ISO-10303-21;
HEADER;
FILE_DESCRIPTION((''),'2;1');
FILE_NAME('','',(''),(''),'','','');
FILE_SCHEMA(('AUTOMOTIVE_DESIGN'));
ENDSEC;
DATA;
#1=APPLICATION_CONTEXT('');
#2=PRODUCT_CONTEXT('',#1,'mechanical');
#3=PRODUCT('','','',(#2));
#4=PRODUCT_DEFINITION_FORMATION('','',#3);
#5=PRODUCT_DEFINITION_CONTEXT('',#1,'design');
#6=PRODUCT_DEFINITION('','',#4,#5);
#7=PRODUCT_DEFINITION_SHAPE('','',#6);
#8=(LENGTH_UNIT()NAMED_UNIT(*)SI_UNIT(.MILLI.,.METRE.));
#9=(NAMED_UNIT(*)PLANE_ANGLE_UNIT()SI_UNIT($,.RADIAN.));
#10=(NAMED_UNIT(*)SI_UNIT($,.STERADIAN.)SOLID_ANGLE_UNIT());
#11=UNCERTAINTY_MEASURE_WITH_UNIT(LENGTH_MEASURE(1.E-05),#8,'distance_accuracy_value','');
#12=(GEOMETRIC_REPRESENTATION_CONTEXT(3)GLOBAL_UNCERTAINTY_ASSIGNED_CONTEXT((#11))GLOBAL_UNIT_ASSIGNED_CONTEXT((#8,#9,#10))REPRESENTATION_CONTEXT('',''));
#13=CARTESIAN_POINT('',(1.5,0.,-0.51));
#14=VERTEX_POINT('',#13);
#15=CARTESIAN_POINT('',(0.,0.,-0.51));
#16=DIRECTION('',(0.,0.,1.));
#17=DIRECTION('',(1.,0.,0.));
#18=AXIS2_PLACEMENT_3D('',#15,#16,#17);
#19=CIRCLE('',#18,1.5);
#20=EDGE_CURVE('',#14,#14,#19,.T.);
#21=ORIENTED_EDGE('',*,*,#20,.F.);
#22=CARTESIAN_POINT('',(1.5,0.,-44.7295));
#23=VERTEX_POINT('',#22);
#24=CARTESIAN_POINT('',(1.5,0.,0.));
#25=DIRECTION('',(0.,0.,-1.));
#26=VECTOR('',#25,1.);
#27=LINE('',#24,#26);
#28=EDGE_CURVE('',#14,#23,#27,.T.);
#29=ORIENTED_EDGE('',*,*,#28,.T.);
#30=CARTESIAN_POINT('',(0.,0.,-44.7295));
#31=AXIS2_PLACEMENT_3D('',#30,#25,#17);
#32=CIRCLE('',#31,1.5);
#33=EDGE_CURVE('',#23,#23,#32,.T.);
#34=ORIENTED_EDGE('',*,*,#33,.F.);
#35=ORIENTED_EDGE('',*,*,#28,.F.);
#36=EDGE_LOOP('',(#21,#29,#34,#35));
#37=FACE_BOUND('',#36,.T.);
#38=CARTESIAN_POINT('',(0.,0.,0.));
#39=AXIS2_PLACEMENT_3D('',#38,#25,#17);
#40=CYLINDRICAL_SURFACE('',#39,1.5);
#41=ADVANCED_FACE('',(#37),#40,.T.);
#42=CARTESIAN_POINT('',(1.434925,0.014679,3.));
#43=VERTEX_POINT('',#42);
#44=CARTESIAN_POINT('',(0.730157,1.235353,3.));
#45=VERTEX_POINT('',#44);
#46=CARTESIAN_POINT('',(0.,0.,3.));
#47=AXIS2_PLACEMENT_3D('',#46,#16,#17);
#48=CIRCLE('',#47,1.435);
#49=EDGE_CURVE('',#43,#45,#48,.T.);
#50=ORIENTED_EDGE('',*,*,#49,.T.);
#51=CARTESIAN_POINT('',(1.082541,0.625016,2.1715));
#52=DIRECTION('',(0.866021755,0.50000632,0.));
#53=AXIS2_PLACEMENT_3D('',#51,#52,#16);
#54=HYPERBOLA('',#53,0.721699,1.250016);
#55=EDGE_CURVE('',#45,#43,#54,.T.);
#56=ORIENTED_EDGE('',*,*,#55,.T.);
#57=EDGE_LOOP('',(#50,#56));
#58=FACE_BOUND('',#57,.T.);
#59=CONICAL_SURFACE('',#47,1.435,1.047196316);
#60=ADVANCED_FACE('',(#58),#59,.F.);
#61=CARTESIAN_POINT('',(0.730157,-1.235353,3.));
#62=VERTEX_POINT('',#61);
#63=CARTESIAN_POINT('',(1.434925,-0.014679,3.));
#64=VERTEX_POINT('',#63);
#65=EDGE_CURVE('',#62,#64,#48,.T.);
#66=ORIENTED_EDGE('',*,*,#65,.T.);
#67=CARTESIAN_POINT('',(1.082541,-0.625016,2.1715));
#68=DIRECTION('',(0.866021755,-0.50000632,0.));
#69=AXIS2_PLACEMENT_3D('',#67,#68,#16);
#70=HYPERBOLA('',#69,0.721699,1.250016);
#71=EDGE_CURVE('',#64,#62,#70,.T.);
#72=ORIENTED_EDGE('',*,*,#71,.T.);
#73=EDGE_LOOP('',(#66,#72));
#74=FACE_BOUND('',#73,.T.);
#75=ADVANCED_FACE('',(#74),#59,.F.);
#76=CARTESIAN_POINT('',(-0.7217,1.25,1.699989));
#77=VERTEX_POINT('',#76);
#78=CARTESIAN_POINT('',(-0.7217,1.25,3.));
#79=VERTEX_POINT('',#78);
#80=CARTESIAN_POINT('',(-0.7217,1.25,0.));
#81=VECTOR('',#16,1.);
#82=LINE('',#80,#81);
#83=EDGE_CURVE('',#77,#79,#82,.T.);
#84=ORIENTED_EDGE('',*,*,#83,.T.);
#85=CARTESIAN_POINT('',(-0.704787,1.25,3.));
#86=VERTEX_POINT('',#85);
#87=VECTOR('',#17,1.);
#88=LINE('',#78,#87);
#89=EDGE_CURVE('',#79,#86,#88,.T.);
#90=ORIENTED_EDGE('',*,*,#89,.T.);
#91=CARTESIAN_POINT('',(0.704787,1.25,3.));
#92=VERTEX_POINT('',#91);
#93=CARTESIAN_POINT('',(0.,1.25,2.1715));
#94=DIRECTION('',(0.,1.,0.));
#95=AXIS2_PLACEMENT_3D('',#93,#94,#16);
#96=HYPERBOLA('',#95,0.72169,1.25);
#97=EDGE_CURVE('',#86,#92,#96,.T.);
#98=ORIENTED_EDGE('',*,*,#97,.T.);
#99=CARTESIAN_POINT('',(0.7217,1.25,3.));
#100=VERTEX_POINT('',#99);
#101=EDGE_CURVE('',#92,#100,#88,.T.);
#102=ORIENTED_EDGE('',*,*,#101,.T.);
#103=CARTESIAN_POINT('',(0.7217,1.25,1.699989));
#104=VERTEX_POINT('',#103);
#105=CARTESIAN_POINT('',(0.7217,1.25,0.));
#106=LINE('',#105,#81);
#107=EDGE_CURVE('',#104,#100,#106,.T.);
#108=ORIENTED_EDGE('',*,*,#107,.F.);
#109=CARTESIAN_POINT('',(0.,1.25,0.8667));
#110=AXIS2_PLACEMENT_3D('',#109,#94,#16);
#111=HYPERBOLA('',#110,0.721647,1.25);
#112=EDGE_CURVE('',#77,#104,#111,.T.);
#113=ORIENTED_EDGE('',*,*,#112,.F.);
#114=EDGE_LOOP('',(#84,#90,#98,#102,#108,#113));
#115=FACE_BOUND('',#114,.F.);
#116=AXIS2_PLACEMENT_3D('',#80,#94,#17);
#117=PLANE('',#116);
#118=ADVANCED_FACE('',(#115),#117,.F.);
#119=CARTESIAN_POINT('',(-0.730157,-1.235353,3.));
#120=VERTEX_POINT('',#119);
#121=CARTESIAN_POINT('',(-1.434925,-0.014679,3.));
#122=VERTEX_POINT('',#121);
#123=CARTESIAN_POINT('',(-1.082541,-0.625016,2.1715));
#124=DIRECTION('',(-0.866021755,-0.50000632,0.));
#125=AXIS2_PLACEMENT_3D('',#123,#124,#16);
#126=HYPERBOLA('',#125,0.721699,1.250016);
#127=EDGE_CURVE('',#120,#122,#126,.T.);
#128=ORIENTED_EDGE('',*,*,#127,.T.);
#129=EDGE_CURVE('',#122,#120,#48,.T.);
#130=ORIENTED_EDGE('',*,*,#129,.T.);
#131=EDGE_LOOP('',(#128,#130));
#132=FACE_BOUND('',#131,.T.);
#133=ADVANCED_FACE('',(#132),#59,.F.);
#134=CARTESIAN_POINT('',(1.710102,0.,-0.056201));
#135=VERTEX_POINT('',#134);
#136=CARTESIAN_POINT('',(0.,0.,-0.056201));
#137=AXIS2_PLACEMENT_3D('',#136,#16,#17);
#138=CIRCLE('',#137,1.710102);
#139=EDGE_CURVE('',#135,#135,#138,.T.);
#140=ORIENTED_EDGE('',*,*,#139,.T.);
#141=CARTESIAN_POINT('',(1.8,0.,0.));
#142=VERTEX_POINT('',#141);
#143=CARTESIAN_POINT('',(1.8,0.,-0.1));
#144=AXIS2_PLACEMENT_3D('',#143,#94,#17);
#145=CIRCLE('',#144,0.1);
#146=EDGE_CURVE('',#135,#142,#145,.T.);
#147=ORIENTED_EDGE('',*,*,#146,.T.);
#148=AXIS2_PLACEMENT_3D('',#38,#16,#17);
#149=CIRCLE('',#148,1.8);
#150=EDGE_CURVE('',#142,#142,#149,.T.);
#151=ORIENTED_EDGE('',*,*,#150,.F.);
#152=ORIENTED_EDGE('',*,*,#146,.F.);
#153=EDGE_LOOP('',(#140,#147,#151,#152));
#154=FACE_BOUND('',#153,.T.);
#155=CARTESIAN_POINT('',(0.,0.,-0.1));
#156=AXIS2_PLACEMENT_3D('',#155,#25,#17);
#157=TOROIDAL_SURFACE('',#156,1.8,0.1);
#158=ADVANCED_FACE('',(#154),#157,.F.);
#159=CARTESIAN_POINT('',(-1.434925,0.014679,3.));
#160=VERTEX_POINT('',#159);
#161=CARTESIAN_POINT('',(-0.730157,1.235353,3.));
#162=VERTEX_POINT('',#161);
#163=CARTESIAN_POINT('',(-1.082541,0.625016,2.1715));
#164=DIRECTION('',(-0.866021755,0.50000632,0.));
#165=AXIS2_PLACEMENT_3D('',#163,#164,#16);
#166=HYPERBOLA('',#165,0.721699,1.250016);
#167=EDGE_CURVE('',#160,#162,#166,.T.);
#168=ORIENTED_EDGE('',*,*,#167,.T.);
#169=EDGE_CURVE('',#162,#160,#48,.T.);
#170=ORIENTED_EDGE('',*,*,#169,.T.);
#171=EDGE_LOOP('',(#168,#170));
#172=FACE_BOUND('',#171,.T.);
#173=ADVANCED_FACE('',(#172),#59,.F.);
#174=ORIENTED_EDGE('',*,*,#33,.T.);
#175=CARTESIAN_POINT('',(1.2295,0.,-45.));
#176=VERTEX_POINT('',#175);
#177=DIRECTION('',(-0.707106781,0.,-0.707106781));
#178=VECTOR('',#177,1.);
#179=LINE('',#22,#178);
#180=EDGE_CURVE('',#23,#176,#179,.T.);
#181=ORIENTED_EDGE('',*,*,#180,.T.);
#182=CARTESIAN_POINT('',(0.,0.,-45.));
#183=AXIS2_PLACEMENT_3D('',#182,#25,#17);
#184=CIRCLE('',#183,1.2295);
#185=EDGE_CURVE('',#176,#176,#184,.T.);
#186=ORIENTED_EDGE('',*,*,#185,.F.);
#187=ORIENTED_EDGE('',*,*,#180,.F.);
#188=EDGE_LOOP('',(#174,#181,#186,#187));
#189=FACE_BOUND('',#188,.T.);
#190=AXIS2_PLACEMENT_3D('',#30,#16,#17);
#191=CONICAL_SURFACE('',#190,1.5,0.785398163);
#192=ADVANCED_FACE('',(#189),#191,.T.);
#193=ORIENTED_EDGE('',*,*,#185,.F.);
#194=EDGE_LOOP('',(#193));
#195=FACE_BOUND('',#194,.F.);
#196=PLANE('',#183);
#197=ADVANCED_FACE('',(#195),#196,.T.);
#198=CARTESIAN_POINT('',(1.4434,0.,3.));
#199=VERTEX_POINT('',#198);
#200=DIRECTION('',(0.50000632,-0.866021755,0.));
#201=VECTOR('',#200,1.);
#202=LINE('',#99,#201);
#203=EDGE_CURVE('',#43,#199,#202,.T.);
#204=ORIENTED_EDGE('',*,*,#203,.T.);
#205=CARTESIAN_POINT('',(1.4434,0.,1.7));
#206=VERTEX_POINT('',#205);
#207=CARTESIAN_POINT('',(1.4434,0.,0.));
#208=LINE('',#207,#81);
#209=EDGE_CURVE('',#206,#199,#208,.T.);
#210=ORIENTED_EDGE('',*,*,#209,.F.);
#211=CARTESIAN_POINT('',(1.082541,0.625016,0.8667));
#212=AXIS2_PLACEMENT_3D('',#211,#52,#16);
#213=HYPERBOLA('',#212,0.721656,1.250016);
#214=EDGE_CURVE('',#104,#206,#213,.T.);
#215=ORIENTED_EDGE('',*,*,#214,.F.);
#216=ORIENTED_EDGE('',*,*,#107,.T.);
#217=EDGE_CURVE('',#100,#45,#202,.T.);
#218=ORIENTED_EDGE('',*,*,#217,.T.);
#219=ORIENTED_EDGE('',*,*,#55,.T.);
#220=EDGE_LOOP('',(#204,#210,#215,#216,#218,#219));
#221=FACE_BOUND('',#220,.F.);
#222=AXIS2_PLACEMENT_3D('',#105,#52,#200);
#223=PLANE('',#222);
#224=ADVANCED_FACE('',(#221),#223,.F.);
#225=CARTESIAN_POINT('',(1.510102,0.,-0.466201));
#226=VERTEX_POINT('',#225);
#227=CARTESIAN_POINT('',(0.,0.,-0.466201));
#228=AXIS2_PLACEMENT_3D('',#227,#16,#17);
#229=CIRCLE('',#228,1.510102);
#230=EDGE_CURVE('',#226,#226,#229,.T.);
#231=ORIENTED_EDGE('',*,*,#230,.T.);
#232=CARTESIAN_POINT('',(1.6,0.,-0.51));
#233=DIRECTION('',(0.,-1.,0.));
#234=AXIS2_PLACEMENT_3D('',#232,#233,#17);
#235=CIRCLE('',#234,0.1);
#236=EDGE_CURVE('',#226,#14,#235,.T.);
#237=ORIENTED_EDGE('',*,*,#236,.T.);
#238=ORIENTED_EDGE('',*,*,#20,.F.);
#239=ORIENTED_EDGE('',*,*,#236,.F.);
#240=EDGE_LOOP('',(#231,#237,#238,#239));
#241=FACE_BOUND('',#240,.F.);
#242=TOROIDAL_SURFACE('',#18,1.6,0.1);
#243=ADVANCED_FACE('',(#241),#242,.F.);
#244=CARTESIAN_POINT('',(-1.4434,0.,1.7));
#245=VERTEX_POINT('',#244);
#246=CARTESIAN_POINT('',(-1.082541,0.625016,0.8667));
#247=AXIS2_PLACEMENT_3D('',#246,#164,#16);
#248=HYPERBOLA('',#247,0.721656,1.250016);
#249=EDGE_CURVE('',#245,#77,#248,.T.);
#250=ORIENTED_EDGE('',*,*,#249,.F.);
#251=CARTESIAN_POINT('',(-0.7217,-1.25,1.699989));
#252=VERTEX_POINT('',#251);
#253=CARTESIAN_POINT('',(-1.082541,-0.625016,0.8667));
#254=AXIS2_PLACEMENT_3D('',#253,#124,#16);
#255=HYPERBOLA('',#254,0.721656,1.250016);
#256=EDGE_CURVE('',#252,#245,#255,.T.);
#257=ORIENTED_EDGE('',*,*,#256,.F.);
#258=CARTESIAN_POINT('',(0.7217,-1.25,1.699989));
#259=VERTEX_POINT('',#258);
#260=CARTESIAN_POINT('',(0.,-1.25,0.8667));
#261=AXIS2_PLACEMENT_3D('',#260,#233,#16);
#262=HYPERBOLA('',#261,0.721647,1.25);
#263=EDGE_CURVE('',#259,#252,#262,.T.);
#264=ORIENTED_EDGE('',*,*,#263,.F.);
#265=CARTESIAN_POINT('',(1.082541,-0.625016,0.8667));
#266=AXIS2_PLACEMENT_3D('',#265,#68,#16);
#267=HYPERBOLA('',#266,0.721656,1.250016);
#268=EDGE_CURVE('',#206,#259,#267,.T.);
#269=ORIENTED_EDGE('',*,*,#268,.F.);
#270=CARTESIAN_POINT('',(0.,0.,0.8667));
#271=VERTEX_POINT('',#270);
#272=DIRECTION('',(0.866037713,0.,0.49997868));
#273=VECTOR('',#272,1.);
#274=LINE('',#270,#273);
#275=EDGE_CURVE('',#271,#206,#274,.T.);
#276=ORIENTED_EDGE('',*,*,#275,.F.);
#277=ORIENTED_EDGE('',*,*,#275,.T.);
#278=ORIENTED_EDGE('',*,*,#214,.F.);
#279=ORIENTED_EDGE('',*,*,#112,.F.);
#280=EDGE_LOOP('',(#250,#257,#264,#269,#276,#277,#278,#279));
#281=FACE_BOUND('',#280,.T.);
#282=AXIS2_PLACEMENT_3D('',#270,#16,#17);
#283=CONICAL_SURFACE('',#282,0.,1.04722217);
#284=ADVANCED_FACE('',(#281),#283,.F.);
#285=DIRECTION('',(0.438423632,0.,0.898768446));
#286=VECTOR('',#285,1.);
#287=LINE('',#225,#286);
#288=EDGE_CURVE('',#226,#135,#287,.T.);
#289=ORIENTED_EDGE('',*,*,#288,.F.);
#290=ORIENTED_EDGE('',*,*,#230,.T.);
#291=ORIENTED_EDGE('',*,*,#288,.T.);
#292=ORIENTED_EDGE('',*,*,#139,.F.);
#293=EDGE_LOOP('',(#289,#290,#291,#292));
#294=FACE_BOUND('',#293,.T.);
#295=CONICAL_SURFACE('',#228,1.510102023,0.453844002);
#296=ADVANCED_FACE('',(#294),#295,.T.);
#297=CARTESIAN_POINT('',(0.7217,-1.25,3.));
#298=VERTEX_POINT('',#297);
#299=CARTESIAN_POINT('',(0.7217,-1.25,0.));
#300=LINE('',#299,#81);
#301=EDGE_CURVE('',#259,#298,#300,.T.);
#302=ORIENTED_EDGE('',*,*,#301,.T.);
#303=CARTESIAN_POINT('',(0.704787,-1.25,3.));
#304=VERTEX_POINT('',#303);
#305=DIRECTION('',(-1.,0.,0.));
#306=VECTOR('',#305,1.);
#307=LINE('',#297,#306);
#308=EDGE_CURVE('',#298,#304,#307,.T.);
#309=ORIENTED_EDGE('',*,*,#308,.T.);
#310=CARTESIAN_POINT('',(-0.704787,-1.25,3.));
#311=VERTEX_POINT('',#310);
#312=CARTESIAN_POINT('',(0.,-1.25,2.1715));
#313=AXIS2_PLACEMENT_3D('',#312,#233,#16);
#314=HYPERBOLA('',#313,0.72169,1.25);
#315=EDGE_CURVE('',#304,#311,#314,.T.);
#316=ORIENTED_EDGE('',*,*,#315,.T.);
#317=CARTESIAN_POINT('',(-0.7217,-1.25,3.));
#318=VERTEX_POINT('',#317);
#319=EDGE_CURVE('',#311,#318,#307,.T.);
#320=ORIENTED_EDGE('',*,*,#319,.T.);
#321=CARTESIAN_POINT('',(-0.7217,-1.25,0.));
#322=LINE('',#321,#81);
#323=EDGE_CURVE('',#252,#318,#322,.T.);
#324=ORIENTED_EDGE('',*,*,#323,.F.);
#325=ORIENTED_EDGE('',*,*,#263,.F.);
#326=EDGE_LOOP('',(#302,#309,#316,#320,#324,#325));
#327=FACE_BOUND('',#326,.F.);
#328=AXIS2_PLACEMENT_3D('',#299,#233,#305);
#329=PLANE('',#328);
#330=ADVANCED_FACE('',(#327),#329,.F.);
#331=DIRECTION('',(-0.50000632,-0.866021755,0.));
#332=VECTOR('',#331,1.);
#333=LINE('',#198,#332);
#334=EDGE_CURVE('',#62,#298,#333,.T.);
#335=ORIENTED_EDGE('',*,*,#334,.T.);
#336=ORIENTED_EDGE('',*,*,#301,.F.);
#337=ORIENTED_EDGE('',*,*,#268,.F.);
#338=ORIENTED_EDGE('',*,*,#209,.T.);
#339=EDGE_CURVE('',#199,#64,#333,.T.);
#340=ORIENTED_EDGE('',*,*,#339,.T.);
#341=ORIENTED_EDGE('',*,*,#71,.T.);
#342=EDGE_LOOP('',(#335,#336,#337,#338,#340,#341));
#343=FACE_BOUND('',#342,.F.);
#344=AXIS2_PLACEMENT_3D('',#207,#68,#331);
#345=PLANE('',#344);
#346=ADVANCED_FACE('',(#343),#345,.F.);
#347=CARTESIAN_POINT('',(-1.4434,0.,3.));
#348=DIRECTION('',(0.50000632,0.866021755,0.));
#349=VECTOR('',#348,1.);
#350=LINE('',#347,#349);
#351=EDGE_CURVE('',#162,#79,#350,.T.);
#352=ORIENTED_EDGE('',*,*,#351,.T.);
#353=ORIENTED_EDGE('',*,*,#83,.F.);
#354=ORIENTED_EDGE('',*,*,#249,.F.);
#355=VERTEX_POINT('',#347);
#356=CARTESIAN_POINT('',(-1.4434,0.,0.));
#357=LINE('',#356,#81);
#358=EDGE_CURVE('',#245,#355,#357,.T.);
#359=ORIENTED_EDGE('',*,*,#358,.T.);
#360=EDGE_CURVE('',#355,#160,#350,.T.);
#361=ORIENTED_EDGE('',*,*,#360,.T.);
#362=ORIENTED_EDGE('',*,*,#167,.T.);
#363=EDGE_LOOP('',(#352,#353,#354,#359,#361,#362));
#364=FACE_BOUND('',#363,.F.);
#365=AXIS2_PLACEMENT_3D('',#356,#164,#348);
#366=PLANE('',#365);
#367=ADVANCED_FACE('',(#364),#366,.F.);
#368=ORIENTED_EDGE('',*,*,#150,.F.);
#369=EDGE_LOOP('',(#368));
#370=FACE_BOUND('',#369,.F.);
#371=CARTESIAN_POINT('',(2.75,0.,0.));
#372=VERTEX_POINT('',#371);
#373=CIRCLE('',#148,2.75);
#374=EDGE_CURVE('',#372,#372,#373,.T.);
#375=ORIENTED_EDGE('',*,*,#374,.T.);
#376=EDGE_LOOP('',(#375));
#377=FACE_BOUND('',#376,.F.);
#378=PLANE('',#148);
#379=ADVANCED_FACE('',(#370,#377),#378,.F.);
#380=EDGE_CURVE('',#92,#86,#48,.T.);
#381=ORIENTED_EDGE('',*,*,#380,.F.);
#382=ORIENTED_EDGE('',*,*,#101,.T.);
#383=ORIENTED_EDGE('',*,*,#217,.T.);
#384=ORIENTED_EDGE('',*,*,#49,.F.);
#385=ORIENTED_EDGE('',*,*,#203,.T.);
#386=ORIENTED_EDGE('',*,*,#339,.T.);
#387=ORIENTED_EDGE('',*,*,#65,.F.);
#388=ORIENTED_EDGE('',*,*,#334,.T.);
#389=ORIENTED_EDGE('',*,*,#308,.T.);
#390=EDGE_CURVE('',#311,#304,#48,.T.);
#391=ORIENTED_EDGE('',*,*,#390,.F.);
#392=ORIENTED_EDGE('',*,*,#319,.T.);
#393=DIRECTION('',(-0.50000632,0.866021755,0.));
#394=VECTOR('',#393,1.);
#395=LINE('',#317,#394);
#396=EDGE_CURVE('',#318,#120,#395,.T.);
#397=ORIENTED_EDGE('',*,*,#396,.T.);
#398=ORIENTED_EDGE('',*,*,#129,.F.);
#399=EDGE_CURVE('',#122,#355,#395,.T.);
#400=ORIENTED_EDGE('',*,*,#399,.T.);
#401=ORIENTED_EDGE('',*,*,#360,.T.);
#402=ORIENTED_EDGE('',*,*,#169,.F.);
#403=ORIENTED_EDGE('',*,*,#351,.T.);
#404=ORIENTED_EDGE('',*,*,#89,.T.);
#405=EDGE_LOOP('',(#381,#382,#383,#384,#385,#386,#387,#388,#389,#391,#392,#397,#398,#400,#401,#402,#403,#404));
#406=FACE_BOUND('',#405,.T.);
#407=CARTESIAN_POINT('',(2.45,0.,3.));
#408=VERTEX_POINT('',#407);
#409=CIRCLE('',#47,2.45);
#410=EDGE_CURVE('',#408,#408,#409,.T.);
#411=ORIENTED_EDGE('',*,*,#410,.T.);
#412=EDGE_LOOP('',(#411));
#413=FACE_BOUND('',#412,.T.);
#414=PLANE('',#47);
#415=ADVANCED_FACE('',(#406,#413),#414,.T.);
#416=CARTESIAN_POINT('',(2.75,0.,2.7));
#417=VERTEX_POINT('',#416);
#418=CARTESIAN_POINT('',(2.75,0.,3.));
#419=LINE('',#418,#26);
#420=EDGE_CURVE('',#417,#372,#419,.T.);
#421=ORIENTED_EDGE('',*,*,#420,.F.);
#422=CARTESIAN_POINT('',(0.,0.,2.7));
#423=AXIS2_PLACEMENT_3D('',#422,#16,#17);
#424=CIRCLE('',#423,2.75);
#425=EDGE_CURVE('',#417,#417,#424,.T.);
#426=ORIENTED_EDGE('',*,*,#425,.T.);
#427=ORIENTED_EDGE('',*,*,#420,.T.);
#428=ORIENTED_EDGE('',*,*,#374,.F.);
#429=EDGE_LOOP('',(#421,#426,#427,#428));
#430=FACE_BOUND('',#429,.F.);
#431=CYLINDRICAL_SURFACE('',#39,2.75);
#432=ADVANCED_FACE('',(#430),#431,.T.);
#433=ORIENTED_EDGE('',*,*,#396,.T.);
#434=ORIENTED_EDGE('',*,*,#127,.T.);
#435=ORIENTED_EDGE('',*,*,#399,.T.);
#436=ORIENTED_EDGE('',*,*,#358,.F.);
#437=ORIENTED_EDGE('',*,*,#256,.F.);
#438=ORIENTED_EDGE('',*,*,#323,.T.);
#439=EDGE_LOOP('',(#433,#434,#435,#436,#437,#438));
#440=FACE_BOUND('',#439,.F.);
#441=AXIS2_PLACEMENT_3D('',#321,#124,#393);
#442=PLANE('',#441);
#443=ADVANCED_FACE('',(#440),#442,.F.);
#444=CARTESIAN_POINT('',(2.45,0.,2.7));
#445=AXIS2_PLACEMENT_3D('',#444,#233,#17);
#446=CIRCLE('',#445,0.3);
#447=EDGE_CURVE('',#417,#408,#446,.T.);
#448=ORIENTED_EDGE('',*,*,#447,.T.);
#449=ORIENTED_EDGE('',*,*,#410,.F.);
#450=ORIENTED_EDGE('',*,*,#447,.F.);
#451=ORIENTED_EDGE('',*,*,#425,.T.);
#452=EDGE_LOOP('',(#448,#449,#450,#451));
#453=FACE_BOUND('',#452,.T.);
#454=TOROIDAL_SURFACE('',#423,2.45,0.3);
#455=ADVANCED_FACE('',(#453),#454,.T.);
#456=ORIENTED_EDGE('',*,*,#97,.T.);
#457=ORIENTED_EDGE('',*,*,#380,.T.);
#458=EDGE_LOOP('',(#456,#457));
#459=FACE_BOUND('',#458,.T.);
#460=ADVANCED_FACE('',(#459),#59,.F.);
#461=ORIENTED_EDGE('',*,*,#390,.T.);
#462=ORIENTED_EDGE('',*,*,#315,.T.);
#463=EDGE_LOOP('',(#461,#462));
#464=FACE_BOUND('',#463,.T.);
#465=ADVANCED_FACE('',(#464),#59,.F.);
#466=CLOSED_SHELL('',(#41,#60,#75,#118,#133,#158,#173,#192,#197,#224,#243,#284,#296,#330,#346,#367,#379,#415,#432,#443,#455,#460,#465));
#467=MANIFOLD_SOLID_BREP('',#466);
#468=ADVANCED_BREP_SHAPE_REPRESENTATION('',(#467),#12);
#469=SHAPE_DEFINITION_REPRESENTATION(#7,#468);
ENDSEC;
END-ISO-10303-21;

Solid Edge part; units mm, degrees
sketch "Sketch1" plane through (0, 0, 0) normal (0, 0, 1) x (1, 0, 0)
  line L0 (-0.7217, 1.25) -> (0.7217, 1.25)
  line L1 (0.7217, 1.25) -> (1.4434, 0)
  line L2 (1.4434, 0) -> (0.7217, -1.25)
  line L3 (0.7217, -1.25) -> (-0.7217, -1.25)
  line L4 (-0.7217, -1.25) -> (-1.4434, 0)
  line L5 (-1.4434, 0) -> (-0.7217, 1.25)
  circle A0 centre (0, 0) radius 2.75
  dimension "D1" = 5.5
  dimension "D2" = 2.5
extrude "Protrusion1" add sketch "Sketch1" along normal blind 3
sketch "Sketch2" plane through (0, 0, 0) normal (0, -1, 0) x (1, 0, 0)
  line L0 (0, 0.8667) -> (1.4434, 1.7)
  line L1 (1.4434, 1.7) -> (2.75, 1.7)
  line L2 (2.75, 1.7) -> (2.75, 0)
  line L3 (2.75, 0) -> (1.5, 0)
  line L4 (1.5, 0) -> (1.5, -26.999)
  line L5 (1.5, -26.999) -> (1.5, -27) construction
  line L6 (1.5, -27) -> (1.5, -27) construction
  line L7 (1.5, -27) -> (1.5, -45)
  line L8 (0, -45) -> (1.5, -45)
  dimension "D1" = 18
  dimension "D2" = 1.5
  dimension "D3" = 1.5
  dimension "D4" = 2.75
  dimension "D5" = 1.7
  dimension "D6" = 46.7
  dimension "D7" = 0.001
  dimension "D8" = 1.25
  dimension "D9" = 1.25
revolve "RevolvedProtrusion_1" add sketch "Sketch2" angle 360 about axis through (0, 0, 2.3333) along (0, 0, -1)
cosmetic_thread "Thread_1" size "M3" thread depth 17.999
sketch "Sketch3" plane through (0, 0, 0) normal (0, -1, 0) x (1, 0, 0)
  line L0 (0, 4) -> (1.435, 4)
  line L1 (1.435, 4) -> (1.435, 3)
  line L2 (1.435, 3) -> (0, 2.1715)
  dimension "D1" = 1.435
  dimension "D2" = 1
  dimension "D3" = 4
revolve "RevolvedCutout_1" cut sketch "Sketch3" angle 360 about axis through (0, 0, 7.1999) along (0, 0, 1)
fillet "Round_1" radius 0.3 1 edges at (-2.75, 0, 3)
sketch "Sketch4" plane through (0, 0, 0) normal (0, -1, 0) x (1, 0, 0)
  line L0 (1.5, 0) -> (1.8, 0)
  arc A0 (1.7101, -0.0562) -> (1.8, 0) centre (1.8, -0.1) cw
  line L1 (1.5101, -0.4662) -> (1.7101, -0.0562)
  arc A1 (1.5101, -0.4662) -> (1.5, -0.51) centre (1.6, -0.51) ccw
  line L2 (1.5, 0) -> (1.5, -0.51)
  dimension "D1" = 0.51
  dimension "D2" = 1.5
  dimension "D3" = 0.51
  dimension "D4" = 0.3
  dimension "D5" = 0.1
revolve "RevolvedProtrusion_2" add sketch "Sketch4" angle 360 about axis through (0, 0, -1.02) along (0, 0, 1)
chamfer "Chamfer_1" distance 0.2705 angle 45 1 edges at (-1.5, 0, -45)
properties material "Steel"
